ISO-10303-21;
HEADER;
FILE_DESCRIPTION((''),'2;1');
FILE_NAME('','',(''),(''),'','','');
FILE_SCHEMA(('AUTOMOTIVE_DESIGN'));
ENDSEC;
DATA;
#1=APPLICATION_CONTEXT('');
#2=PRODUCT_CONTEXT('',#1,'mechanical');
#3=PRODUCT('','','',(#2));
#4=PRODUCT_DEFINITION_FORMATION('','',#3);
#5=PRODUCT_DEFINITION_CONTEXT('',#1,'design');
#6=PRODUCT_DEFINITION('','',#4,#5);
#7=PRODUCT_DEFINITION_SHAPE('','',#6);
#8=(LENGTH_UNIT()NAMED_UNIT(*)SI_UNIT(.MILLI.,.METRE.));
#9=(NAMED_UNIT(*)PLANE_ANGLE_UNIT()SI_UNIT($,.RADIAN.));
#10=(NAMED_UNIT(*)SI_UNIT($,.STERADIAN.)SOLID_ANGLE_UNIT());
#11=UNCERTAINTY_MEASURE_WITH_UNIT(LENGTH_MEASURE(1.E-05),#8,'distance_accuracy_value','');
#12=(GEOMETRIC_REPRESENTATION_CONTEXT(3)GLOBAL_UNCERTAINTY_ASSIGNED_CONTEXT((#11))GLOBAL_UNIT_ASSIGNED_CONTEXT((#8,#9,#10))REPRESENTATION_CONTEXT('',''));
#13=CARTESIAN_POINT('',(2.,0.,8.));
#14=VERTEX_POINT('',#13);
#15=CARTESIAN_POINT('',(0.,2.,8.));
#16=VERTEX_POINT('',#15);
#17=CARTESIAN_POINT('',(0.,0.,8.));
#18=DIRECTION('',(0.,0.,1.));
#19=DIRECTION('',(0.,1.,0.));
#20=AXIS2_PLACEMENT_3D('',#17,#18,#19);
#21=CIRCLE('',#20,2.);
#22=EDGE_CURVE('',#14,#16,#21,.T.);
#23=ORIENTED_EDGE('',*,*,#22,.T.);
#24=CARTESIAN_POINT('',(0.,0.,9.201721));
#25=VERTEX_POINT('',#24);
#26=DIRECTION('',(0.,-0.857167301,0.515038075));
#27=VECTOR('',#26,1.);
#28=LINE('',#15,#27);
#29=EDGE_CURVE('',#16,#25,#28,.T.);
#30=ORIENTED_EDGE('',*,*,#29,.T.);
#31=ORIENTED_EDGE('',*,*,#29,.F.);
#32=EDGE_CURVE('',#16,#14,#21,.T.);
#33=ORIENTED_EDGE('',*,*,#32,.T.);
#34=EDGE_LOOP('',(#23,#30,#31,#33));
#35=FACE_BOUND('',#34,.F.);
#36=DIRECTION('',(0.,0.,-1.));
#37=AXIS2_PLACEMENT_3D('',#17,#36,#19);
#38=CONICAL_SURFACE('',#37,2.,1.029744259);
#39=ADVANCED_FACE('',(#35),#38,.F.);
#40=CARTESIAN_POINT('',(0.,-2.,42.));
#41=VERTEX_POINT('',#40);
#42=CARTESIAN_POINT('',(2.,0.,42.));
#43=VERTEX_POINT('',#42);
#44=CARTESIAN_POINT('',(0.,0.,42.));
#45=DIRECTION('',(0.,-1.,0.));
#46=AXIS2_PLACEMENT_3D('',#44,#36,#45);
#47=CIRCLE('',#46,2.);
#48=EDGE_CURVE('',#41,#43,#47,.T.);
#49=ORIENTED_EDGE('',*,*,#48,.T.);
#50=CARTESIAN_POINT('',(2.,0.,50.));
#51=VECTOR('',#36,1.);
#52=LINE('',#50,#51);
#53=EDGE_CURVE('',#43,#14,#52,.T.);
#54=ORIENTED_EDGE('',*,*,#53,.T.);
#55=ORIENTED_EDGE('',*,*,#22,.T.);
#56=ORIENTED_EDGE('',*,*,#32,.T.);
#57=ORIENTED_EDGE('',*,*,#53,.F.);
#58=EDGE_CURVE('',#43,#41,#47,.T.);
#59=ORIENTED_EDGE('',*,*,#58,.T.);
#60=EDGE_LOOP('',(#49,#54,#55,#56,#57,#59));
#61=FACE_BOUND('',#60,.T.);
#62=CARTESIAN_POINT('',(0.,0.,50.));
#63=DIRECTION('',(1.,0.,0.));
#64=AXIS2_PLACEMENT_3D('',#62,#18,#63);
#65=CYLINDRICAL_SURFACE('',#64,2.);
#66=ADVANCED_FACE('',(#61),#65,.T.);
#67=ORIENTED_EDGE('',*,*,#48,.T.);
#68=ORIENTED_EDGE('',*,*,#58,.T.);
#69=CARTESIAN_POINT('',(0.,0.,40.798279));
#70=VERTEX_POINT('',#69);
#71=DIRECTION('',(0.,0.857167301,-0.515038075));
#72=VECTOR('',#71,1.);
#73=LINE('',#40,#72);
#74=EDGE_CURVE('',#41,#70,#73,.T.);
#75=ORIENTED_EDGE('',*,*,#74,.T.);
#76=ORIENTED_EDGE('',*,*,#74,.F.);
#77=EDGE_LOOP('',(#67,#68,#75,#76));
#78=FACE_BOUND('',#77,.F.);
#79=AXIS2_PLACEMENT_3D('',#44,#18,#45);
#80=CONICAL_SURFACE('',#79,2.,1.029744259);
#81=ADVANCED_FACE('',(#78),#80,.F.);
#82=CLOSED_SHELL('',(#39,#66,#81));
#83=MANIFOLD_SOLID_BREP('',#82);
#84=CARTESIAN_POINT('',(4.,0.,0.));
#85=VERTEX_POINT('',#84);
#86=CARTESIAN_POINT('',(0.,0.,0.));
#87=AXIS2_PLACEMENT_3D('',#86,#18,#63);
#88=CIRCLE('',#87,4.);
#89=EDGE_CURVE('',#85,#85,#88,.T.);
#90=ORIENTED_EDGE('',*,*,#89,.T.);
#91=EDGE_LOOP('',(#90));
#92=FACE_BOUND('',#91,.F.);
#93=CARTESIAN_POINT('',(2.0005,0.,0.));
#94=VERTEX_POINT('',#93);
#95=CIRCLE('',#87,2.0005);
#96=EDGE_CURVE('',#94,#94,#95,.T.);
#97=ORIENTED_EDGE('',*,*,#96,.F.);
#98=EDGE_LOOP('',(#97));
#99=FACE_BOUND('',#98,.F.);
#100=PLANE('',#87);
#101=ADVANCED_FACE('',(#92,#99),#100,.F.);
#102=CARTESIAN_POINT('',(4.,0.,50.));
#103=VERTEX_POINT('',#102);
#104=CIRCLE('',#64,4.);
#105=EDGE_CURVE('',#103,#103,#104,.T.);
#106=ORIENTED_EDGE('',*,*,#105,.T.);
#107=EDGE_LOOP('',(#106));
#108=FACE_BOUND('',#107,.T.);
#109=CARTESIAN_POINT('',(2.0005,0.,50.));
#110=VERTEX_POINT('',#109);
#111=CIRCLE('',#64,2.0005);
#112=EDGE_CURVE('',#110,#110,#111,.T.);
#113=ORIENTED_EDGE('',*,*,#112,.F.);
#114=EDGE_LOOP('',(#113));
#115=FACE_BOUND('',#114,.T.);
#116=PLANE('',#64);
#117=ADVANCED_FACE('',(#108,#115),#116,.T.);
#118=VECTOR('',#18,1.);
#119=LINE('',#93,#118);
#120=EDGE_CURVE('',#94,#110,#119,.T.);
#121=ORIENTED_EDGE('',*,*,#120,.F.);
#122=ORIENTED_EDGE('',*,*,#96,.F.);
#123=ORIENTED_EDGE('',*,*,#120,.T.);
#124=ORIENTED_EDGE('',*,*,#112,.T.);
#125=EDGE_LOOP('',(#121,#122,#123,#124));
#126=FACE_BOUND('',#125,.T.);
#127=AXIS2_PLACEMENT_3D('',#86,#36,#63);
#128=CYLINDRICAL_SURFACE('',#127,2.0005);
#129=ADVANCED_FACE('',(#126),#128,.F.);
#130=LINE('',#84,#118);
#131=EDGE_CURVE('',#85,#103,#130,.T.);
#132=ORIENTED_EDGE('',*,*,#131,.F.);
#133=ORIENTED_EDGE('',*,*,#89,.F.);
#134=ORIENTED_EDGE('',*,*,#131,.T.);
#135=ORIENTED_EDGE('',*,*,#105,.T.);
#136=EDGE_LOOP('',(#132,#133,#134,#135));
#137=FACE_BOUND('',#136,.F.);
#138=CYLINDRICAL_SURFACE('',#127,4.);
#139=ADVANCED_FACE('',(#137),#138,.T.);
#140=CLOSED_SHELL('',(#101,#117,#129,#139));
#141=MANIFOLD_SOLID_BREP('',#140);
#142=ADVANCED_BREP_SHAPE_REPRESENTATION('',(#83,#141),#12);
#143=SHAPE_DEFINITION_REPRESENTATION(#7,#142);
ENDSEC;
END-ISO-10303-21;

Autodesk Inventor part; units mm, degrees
ref_plane "YZ Plane" through (0, 0, 0) normal (1, 0, 0) x (0, 1, 0)
ref_plane "XZ Plane" through (0, 0, 0) normal (0, 1, 0) x (-1, 0, 0)
ref_plane "XY Plane" through (0, 0, 0) normal (0, 0, 1) x (1, 0, 0)
sketch "スケッチ1" plane through (0, 0, 0) normal (0, 0, 1) x (1, 0, 0)
  circle A0 centre (0, 0) radius 4
  circle A1 centre (0, 0) radius 2.0005
  dimension "d0" = 8
  dimension "d1" = 4.001
extrude "押し出し1" add sketch "スケッチ1" along normal blind 50
sketch "スケッチ2" plane through (0, 0, 50) normal (0, 0, 1) x (1, 0, 0)
  circle A0 centre (0, 0) radius 2
  dimension "d4" = 4
extrude "押し出し2" add sketch "スケッチ2" against normal blind 50
hole "穴1" at (0, 0, 50) direction (0, 0, -1) diameter 4 depth 8 tip angle 118
hole "穴2" at (0, 0, 0) direction (0, 0, 1) diameter 4 depth 8 tip angle 118
properties part number "スペーサーm4-50　簡易筒型" material "アルミニウム 2014-T4"
